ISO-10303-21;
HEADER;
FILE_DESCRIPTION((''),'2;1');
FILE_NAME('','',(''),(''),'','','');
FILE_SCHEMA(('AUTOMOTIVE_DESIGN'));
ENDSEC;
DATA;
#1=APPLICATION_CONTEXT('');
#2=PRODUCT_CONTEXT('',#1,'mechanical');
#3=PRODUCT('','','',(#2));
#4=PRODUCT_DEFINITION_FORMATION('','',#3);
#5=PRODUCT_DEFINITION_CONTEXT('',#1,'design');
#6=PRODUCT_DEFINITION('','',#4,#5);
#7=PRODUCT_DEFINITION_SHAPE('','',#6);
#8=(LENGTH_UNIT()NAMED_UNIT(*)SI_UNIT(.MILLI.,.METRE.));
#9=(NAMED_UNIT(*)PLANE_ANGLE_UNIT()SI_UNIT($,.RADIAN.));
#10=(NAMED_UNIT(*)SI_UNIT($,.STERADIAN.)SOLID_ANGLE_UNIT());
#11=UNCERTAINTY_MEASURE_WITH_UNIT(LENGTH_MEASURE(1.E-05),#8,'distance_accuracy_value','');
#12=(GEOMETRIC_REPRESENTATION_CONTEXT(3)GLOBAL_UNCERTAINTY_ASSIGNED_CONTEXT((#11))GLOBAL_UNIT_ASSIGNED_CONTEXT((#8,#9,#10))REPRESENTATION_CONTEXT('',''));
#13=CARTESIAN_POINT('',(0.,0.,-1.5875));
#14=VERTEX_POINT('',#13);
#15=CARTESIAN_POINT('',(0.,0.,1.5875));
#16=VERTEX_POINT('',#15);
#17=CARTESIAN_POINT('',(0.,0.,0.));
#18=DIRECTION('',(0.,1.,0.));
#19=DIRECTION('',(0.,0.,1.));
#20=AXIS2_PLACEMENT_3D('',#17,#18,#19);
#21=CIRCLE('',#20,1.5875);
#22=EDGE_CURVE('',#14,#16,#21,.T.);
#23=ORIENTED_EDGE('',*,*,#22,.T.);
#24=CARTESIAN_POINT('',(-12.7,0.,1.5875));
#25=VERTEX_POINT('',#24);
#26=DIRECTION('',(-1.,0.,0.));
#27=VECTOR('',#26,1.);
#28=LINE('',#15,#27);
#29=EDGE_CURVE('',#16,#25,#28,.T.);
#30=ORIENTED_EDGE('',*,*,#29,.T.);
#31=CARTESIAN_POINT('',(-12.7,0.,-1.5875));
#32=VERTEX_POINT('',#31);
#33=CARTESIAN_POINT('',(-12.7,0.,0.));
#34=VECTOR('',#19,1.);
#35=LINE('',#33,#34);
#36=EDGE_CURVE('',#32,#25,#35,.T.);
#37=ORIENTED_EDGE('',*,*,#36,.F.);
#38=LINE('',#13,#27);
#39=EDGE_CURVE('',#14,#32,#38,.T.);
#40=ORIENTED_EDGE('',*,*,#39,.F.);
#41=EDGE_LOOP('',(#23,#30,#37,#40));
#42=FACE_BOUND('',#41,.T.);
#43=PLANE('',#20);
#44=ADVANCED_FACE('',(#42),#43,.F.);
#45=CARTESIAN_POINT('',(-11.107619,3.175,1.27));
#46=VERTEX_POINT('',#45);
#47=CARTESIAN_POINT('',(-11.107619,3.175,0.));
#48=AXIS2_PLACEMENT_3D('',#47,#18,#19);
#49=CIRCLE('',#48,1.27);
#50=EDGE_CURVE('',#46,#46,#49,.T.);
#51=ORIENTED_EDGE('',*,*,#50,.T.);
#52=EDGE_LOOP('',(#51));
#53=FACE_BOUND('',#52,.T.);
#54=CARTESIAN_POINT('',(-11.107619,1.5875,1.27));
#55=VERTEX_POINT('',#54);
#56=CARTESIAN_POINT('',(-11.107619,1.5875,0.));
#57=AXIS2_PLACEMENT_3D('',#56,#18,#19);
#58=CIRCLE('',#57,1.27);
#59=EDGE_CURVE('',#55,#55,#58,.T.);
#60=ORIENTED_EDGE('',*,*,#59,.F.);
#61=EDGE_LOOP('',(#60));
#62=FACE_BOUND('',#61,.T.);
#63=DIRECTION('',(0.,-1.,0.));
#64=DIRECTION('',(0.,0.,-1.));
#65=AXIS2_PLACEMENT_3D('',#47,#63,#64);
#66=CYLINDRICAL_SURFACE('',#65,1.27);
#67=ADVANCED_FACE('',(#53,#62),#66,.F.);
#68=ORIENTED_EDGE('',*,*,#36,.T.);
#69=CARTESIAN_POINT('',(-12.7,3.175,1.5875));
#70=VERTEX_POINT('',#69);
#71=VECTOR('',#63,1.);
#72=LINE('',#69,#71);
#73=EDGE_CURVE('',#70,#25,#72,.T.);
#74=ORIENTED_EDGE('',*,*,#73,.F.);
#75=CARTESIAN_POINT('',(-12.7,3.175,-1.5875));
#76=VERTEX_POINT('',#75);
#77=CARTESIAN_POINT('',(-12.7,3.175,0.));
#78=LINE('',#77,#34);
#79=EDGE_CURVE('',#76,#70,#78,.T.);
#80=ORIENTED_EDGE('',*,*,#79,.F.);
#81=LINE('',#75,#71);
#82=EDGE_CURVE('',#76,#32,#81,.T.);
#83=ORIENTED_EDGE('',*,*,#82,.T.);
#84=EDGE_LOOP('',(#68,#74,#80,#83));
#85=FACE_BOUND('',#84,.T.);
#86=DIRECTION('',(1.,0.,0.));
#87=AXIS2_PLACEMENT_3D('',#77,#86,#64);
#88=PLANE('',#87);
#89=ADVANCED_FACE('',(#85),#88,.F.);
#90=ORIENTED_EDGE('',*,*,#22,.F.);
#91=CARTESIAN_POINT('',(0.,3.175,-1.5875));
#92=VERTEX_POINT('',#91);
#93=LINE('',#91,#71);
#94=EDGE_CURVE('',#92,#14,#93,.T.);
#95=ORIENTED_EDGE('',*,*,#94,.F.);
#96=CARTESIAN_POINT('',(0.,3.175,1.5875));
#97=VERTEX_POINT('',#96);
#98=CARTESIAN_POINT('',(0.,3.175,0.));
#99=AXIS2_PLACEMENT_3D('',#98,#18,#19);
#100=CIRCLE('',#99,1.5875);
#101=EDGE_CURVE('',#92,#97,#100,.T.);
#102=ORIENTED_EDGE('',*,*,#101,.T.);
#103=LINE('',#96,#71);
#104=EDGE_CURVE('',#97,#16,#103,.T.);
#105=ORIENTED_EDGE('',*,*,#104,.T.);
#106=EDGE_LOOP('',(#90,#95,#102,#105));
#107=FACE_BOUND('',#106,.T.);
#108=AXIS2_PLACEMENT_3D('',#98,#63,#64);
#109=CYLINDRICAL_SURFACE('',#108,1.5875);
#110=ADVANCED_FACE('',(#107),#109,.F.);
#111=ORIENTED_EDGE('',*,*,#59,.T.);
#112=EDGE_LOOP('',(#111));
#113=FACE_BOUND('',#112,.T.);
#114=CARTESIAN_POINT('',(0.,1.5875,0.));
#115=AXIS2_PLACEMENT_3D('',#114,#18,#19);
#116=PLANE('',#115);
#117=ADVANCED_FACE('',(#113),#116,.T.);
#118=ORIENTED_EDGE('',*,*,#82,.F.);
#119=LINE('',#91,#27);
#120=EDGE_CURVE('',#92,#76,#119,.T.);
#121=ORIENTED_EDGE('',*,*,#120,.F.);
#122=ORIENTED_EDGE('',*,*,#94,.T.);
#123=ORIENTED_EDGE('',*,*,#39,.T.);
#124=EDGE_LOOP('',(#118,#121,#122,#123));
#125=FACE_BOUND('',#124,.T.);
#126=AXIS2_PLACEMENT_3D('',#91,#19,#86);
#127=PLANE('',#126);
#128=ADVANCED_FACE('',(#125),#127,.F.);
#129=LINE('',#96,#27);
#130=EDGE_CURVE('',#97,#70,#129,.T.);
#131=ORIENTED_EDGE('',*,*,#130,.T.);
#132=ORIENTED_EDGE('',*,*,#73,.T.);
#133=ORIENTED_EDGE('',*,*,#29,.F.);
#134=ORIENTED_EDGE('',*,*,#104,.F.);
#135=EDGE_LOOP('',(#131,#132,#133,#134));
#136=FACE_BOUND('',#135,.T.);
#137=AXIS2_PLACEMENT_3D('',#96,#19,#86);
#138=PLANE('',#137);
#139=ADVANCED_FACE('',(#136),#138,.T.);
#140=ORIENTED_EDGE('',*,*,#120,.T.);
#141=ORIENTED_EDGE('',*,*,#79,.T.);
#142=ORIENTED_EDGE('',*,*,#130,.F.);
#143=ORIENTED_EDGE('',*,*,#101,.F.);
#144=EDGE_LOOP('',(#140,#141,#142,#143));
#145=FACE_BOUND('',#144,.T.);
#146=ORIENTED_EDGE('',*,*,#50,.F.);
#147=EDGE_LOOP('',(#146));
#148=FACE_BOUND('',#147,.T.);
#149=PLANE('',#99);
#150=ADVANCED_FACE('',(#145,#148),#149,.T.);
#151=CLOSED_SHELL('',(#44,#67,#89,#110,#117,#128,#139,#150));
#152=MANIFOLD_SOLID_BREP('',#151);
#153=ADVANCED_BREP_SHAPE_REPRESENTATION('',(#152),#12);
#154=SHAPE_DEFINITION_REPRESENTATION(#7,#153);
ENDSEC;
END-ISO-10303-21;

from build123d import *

# Parameters (mm, degrees)
BOSS_EXTRUDE2_DEPTH = 3.175
SKETCH1_6_W         = 3.175
SKETCH1_6_H         = 3.175
SKETCH1_6_R         = 1.27
BOSS_EXTRUDE6_DEPTH = 3.175
SKETCH1_8_R         = 1.27
BOSS_EXTRUDE7_DEPTH = 1.5875


with BuildPart() as part:
    # Sketch1 → Boss-Extrude2 (new body)
    with BuildSketch(Plane(origin=(0, 0, 0), x_dir=(1, 0, 0), z_dir=(0, 1, 0))):
        with BuildLine():
            Line((-2.749630657, 1.5875), (-9.525, 1.5875))
            Line((-9.525, 1.5875), (-9.525, -1.5875))
            Line((-9.525, -1.5875), (-2.749630657, -1.5875))
            Line((-2.749630657, -1.5875), (0, -1.5875))
            ThreePointArc((0, -1.5875), (-1.5875, 0), (0, 1.5875))
            Line((0, 1.5875), (-2.749630657, 1.5875))
        make_face()
    extrude(amount=BOSS_EXTRUDE2_DEPTH)

    # Sketch1<6> → Boss-Extrude6 (add)
    with BuildSketch(Plane(origin=(0, 0, 0), x_dir=(1, 0, 0), z_dir=(0, 1, 0))):
        with Locations((-11.1125, 0)):
            Rectangle(SKETCH1_6_W, SKETCH1_6_H)
        with Locations(Location((-11.107619253, 0, 0), (0, 0, 270))):
            Circle(SKETCH1_6_R, mode=Mode.SUBTRACT)
    extrude(amount=BOSS_EXTRUDE6_DEPTH)

    # Sketch1<8> → Boss-Extrude7 (add)
    with BuildSketch(Plane(origin=(0, 0, 0), x_dir=(1, 0, 0), z_dir=(0, 1, 0))):
        with Locations(Location((-11.107619253, 0, 0), (0, 0, 270))):
            Circle(SKETCH1_8_R)
    extrude(amount=BOSS_EXTRUDE7_DEPTH)


solid = part.part
